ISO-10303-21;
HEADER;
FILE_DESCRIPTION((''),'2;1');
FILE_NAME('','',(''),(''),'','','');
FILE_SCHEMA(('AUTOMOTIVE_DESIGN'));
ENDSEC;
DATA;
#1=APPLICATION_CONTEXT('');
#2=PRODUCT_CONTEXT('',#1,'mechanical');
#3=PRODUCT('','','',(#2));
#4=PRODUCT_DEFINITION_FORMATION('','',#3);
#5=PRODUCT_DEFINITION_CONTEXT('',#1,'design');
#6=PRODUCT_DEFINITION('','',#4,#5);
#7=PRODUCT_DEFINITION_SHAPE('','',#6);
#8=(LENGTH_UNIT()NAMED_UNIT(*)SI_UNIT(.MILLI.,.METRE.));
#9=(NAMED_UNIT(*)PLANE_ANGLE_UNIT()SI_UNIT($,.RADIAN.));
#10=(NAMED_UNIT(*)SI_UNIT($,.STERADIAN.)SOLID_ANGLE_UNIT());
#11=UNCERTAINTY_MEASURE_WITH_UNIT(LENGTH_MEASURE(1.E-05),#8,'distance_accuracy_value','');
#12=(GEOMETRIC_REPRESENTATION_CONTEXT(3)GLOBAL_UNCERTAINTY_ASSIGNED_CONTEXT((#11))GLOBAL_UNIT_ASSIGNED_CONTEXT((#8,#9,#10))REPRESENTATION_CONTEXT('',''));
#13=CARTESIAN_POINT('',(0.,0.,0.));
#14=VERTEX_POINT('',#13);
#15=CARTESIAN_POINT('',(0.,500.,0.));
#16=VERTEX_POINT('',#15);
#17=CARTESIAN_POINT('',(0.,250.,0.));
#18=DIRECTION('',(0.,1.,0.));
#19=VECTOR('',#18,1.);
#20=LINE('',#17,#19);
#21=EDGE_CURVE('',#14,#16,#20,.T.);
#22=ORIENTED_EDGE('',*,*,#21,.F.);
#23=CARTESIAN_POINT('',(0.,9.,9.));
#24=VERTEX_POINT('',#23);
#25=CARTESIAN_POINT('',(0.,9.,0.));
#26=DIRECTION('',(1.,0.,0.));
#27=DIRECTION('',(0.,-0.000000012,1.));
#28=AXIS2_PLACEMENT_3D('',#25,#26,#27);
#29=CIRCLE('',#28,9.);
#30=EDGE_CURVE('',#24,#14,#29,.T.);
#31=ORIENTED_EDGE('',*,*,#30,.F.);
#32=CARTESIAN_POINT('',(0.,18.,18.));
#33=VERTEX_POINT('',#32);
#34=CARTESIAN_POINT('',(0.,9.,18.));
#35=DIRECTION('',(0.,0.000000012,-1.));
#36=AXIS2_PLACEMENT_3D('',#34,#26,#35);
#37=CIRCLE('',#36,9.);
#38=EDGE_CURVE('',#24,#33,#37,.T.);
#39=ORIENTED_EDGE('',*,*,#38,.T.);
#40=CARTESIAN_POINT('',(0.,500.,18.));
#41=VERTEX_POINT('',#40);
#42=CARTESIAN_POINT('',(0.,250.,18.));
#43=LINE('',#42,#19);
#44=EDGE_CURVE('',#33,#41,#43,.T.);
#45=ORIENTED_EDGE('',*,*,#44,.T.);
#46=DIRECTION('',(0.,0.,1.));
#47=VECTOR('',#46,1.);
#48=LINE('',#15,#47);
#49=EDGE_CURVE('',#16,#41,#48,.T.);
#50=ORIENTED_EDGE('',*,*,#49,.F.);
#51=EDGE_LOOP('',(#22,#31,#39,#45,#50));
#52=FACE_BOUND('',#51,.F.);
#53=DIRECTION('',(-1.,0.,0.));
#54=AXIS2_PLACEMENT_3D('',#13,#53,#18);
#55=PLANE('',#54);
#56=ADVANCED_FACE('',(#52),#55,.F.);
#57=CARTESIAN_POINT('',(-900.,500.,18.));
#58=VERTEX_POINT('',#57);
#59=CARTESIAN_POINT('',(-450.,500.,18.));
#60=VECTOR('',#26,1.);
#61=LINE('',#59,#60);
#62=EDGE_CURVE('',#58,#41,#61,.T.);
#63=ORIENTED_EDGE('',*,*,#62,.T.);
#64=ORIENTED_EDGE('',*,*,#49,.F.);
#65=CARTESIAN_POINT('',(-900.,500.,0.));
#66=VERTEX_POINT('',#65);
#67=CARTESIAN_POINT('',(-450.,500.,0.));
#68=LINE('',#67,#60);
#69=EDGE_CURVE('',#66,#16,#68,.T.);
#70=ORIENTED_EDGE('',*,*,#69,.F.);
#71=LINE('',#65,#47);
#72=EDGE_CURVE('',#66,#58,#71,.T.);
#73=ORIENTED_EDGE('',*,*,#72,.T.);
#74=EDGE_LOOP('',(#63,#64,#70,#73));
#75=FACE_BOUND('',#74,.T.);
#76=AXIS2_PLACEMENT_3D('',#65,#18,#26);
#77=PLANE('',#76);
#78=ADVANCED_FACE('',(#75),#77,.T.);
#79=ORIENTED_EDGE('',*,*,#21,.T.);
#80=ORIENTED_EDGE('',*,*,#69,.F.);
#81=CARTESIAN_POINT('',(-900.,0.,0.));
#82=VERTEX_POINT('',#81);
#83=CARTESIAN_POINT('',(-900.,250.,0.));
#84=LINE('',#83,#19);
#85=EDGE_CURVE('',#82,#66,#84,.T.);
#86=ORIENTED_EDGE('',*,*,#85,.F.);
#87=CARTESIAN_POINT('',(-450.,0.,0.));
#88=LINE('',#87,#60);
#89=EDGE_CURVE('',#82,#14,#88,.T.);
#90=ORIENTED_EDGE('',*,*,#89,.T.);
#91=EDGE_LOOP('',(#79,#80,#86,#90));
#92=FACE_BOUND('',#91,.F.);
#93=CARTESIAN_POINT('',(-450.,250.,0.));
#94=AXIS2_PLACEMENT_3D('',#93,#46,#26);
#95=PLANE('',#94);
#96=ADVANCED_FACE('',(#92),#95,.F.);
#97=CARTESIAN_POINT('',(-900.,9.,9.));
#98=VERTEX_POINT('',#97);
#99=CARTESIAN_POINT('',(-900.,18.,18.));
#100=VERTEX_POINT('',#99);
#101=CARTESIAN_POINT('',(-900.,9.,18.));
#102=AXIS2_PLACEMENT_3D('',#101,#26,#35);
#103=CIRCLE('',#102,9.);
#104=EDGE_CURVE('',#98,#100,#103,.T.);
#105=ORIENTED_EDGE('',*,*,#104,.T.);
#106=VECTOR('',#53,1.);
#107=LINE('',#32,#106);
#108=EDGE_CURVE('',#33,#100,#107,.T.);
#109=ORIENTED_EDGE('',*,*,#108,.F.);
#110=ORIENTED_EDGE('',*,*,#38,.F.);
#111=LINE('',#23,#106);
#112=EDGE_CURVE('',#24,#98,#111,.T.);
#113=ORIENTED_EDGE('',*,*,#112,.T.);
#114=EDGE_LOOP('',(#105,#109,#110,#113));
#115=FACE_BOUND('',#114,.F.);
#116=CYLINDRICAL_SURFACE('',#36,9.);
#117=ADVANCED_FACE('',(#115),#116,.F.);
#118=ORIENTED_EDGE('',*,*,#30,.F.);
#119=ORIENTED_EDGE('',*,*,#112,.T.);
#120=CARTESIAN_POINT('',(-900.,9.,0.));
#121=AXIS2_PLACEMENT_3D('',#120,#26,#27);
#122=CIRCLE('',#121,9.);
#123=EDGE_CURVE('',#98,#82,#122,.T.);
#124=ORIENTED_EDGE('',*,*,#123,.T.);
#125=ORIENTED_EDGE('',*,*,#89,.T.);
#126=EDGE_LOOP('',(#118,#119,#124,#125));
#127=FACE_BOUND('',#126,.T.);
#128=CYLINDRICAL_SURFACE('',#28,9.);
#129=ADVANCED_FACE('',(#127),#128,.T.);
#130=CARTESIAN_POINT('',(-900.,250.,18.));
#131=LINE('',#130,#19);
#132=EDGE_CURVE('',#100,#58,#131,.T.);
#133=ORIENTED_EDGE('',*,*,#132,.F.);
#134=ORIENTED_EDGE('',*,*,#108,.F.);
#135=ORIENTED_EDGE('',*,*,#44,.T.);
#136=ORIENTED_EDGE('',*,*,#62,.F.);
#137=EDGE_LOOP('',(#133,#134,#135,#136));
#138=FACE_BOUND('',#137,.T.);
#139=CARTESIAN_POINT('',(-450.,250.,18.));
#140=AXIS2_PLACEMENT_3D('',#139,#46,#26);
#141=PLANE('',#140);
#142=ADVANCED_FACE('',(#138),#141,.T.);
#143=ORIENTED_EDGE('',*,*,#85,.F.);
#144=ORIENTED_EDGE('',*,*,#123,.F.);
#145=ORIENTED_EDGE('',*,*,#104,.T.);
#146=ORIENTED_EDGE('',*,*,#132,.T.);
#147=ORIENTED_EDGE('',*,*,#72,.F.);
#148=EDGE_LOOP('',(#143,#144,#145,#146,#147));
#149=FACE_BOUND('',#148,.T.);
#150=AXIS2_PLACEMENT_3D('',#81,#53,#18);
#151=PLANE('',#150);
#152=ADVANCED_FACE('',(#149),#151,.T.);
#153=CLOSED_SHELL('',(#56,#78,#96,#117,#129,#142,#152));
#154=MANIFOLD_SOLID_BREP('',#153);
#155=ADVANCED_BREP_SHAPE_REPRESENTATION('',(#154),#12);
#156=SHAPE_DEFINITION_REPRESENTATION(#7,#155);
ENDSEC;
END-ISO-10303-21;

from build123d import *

# Parameters (mm, degrees)
PAD001_DEPTH = 900
SKETCH_W     = 900
SKETCH_H     = 500
PAD_DEPTH    = 18


with BuildPart() as body_decoration_cut:
    # Sketch001 → Pad001 (new body)
    with BuildSketch(Plane.YZ):
        with BuildLine():
            ThreePointArc((9, 9), (15.363961, 11.636039), (18, 18))
            Line((18, 18), (0, 18))
            Line((0, 18), (0, 0))
            ThreePointArc((9, 9), (2.636039, 6.363961), (0, 0))
        make_face()
    extrude(amount=-PAD001_DEPTH)


with BuildPart() as cut_top:
    # Sketch → Pad (new body)
    with BuildSketch(Plane.XY):
        with Locations((-450, 250)):
            Rectangle(SKETCH_W, SKETCH_H)
    extrude(amount=PAD_DEPTH)

    # Cut: cut Body, Decoration, Cut
    add(body_decoration_cut.part, mode=Mode.SUBTRACT)


solid = cut_top.part
